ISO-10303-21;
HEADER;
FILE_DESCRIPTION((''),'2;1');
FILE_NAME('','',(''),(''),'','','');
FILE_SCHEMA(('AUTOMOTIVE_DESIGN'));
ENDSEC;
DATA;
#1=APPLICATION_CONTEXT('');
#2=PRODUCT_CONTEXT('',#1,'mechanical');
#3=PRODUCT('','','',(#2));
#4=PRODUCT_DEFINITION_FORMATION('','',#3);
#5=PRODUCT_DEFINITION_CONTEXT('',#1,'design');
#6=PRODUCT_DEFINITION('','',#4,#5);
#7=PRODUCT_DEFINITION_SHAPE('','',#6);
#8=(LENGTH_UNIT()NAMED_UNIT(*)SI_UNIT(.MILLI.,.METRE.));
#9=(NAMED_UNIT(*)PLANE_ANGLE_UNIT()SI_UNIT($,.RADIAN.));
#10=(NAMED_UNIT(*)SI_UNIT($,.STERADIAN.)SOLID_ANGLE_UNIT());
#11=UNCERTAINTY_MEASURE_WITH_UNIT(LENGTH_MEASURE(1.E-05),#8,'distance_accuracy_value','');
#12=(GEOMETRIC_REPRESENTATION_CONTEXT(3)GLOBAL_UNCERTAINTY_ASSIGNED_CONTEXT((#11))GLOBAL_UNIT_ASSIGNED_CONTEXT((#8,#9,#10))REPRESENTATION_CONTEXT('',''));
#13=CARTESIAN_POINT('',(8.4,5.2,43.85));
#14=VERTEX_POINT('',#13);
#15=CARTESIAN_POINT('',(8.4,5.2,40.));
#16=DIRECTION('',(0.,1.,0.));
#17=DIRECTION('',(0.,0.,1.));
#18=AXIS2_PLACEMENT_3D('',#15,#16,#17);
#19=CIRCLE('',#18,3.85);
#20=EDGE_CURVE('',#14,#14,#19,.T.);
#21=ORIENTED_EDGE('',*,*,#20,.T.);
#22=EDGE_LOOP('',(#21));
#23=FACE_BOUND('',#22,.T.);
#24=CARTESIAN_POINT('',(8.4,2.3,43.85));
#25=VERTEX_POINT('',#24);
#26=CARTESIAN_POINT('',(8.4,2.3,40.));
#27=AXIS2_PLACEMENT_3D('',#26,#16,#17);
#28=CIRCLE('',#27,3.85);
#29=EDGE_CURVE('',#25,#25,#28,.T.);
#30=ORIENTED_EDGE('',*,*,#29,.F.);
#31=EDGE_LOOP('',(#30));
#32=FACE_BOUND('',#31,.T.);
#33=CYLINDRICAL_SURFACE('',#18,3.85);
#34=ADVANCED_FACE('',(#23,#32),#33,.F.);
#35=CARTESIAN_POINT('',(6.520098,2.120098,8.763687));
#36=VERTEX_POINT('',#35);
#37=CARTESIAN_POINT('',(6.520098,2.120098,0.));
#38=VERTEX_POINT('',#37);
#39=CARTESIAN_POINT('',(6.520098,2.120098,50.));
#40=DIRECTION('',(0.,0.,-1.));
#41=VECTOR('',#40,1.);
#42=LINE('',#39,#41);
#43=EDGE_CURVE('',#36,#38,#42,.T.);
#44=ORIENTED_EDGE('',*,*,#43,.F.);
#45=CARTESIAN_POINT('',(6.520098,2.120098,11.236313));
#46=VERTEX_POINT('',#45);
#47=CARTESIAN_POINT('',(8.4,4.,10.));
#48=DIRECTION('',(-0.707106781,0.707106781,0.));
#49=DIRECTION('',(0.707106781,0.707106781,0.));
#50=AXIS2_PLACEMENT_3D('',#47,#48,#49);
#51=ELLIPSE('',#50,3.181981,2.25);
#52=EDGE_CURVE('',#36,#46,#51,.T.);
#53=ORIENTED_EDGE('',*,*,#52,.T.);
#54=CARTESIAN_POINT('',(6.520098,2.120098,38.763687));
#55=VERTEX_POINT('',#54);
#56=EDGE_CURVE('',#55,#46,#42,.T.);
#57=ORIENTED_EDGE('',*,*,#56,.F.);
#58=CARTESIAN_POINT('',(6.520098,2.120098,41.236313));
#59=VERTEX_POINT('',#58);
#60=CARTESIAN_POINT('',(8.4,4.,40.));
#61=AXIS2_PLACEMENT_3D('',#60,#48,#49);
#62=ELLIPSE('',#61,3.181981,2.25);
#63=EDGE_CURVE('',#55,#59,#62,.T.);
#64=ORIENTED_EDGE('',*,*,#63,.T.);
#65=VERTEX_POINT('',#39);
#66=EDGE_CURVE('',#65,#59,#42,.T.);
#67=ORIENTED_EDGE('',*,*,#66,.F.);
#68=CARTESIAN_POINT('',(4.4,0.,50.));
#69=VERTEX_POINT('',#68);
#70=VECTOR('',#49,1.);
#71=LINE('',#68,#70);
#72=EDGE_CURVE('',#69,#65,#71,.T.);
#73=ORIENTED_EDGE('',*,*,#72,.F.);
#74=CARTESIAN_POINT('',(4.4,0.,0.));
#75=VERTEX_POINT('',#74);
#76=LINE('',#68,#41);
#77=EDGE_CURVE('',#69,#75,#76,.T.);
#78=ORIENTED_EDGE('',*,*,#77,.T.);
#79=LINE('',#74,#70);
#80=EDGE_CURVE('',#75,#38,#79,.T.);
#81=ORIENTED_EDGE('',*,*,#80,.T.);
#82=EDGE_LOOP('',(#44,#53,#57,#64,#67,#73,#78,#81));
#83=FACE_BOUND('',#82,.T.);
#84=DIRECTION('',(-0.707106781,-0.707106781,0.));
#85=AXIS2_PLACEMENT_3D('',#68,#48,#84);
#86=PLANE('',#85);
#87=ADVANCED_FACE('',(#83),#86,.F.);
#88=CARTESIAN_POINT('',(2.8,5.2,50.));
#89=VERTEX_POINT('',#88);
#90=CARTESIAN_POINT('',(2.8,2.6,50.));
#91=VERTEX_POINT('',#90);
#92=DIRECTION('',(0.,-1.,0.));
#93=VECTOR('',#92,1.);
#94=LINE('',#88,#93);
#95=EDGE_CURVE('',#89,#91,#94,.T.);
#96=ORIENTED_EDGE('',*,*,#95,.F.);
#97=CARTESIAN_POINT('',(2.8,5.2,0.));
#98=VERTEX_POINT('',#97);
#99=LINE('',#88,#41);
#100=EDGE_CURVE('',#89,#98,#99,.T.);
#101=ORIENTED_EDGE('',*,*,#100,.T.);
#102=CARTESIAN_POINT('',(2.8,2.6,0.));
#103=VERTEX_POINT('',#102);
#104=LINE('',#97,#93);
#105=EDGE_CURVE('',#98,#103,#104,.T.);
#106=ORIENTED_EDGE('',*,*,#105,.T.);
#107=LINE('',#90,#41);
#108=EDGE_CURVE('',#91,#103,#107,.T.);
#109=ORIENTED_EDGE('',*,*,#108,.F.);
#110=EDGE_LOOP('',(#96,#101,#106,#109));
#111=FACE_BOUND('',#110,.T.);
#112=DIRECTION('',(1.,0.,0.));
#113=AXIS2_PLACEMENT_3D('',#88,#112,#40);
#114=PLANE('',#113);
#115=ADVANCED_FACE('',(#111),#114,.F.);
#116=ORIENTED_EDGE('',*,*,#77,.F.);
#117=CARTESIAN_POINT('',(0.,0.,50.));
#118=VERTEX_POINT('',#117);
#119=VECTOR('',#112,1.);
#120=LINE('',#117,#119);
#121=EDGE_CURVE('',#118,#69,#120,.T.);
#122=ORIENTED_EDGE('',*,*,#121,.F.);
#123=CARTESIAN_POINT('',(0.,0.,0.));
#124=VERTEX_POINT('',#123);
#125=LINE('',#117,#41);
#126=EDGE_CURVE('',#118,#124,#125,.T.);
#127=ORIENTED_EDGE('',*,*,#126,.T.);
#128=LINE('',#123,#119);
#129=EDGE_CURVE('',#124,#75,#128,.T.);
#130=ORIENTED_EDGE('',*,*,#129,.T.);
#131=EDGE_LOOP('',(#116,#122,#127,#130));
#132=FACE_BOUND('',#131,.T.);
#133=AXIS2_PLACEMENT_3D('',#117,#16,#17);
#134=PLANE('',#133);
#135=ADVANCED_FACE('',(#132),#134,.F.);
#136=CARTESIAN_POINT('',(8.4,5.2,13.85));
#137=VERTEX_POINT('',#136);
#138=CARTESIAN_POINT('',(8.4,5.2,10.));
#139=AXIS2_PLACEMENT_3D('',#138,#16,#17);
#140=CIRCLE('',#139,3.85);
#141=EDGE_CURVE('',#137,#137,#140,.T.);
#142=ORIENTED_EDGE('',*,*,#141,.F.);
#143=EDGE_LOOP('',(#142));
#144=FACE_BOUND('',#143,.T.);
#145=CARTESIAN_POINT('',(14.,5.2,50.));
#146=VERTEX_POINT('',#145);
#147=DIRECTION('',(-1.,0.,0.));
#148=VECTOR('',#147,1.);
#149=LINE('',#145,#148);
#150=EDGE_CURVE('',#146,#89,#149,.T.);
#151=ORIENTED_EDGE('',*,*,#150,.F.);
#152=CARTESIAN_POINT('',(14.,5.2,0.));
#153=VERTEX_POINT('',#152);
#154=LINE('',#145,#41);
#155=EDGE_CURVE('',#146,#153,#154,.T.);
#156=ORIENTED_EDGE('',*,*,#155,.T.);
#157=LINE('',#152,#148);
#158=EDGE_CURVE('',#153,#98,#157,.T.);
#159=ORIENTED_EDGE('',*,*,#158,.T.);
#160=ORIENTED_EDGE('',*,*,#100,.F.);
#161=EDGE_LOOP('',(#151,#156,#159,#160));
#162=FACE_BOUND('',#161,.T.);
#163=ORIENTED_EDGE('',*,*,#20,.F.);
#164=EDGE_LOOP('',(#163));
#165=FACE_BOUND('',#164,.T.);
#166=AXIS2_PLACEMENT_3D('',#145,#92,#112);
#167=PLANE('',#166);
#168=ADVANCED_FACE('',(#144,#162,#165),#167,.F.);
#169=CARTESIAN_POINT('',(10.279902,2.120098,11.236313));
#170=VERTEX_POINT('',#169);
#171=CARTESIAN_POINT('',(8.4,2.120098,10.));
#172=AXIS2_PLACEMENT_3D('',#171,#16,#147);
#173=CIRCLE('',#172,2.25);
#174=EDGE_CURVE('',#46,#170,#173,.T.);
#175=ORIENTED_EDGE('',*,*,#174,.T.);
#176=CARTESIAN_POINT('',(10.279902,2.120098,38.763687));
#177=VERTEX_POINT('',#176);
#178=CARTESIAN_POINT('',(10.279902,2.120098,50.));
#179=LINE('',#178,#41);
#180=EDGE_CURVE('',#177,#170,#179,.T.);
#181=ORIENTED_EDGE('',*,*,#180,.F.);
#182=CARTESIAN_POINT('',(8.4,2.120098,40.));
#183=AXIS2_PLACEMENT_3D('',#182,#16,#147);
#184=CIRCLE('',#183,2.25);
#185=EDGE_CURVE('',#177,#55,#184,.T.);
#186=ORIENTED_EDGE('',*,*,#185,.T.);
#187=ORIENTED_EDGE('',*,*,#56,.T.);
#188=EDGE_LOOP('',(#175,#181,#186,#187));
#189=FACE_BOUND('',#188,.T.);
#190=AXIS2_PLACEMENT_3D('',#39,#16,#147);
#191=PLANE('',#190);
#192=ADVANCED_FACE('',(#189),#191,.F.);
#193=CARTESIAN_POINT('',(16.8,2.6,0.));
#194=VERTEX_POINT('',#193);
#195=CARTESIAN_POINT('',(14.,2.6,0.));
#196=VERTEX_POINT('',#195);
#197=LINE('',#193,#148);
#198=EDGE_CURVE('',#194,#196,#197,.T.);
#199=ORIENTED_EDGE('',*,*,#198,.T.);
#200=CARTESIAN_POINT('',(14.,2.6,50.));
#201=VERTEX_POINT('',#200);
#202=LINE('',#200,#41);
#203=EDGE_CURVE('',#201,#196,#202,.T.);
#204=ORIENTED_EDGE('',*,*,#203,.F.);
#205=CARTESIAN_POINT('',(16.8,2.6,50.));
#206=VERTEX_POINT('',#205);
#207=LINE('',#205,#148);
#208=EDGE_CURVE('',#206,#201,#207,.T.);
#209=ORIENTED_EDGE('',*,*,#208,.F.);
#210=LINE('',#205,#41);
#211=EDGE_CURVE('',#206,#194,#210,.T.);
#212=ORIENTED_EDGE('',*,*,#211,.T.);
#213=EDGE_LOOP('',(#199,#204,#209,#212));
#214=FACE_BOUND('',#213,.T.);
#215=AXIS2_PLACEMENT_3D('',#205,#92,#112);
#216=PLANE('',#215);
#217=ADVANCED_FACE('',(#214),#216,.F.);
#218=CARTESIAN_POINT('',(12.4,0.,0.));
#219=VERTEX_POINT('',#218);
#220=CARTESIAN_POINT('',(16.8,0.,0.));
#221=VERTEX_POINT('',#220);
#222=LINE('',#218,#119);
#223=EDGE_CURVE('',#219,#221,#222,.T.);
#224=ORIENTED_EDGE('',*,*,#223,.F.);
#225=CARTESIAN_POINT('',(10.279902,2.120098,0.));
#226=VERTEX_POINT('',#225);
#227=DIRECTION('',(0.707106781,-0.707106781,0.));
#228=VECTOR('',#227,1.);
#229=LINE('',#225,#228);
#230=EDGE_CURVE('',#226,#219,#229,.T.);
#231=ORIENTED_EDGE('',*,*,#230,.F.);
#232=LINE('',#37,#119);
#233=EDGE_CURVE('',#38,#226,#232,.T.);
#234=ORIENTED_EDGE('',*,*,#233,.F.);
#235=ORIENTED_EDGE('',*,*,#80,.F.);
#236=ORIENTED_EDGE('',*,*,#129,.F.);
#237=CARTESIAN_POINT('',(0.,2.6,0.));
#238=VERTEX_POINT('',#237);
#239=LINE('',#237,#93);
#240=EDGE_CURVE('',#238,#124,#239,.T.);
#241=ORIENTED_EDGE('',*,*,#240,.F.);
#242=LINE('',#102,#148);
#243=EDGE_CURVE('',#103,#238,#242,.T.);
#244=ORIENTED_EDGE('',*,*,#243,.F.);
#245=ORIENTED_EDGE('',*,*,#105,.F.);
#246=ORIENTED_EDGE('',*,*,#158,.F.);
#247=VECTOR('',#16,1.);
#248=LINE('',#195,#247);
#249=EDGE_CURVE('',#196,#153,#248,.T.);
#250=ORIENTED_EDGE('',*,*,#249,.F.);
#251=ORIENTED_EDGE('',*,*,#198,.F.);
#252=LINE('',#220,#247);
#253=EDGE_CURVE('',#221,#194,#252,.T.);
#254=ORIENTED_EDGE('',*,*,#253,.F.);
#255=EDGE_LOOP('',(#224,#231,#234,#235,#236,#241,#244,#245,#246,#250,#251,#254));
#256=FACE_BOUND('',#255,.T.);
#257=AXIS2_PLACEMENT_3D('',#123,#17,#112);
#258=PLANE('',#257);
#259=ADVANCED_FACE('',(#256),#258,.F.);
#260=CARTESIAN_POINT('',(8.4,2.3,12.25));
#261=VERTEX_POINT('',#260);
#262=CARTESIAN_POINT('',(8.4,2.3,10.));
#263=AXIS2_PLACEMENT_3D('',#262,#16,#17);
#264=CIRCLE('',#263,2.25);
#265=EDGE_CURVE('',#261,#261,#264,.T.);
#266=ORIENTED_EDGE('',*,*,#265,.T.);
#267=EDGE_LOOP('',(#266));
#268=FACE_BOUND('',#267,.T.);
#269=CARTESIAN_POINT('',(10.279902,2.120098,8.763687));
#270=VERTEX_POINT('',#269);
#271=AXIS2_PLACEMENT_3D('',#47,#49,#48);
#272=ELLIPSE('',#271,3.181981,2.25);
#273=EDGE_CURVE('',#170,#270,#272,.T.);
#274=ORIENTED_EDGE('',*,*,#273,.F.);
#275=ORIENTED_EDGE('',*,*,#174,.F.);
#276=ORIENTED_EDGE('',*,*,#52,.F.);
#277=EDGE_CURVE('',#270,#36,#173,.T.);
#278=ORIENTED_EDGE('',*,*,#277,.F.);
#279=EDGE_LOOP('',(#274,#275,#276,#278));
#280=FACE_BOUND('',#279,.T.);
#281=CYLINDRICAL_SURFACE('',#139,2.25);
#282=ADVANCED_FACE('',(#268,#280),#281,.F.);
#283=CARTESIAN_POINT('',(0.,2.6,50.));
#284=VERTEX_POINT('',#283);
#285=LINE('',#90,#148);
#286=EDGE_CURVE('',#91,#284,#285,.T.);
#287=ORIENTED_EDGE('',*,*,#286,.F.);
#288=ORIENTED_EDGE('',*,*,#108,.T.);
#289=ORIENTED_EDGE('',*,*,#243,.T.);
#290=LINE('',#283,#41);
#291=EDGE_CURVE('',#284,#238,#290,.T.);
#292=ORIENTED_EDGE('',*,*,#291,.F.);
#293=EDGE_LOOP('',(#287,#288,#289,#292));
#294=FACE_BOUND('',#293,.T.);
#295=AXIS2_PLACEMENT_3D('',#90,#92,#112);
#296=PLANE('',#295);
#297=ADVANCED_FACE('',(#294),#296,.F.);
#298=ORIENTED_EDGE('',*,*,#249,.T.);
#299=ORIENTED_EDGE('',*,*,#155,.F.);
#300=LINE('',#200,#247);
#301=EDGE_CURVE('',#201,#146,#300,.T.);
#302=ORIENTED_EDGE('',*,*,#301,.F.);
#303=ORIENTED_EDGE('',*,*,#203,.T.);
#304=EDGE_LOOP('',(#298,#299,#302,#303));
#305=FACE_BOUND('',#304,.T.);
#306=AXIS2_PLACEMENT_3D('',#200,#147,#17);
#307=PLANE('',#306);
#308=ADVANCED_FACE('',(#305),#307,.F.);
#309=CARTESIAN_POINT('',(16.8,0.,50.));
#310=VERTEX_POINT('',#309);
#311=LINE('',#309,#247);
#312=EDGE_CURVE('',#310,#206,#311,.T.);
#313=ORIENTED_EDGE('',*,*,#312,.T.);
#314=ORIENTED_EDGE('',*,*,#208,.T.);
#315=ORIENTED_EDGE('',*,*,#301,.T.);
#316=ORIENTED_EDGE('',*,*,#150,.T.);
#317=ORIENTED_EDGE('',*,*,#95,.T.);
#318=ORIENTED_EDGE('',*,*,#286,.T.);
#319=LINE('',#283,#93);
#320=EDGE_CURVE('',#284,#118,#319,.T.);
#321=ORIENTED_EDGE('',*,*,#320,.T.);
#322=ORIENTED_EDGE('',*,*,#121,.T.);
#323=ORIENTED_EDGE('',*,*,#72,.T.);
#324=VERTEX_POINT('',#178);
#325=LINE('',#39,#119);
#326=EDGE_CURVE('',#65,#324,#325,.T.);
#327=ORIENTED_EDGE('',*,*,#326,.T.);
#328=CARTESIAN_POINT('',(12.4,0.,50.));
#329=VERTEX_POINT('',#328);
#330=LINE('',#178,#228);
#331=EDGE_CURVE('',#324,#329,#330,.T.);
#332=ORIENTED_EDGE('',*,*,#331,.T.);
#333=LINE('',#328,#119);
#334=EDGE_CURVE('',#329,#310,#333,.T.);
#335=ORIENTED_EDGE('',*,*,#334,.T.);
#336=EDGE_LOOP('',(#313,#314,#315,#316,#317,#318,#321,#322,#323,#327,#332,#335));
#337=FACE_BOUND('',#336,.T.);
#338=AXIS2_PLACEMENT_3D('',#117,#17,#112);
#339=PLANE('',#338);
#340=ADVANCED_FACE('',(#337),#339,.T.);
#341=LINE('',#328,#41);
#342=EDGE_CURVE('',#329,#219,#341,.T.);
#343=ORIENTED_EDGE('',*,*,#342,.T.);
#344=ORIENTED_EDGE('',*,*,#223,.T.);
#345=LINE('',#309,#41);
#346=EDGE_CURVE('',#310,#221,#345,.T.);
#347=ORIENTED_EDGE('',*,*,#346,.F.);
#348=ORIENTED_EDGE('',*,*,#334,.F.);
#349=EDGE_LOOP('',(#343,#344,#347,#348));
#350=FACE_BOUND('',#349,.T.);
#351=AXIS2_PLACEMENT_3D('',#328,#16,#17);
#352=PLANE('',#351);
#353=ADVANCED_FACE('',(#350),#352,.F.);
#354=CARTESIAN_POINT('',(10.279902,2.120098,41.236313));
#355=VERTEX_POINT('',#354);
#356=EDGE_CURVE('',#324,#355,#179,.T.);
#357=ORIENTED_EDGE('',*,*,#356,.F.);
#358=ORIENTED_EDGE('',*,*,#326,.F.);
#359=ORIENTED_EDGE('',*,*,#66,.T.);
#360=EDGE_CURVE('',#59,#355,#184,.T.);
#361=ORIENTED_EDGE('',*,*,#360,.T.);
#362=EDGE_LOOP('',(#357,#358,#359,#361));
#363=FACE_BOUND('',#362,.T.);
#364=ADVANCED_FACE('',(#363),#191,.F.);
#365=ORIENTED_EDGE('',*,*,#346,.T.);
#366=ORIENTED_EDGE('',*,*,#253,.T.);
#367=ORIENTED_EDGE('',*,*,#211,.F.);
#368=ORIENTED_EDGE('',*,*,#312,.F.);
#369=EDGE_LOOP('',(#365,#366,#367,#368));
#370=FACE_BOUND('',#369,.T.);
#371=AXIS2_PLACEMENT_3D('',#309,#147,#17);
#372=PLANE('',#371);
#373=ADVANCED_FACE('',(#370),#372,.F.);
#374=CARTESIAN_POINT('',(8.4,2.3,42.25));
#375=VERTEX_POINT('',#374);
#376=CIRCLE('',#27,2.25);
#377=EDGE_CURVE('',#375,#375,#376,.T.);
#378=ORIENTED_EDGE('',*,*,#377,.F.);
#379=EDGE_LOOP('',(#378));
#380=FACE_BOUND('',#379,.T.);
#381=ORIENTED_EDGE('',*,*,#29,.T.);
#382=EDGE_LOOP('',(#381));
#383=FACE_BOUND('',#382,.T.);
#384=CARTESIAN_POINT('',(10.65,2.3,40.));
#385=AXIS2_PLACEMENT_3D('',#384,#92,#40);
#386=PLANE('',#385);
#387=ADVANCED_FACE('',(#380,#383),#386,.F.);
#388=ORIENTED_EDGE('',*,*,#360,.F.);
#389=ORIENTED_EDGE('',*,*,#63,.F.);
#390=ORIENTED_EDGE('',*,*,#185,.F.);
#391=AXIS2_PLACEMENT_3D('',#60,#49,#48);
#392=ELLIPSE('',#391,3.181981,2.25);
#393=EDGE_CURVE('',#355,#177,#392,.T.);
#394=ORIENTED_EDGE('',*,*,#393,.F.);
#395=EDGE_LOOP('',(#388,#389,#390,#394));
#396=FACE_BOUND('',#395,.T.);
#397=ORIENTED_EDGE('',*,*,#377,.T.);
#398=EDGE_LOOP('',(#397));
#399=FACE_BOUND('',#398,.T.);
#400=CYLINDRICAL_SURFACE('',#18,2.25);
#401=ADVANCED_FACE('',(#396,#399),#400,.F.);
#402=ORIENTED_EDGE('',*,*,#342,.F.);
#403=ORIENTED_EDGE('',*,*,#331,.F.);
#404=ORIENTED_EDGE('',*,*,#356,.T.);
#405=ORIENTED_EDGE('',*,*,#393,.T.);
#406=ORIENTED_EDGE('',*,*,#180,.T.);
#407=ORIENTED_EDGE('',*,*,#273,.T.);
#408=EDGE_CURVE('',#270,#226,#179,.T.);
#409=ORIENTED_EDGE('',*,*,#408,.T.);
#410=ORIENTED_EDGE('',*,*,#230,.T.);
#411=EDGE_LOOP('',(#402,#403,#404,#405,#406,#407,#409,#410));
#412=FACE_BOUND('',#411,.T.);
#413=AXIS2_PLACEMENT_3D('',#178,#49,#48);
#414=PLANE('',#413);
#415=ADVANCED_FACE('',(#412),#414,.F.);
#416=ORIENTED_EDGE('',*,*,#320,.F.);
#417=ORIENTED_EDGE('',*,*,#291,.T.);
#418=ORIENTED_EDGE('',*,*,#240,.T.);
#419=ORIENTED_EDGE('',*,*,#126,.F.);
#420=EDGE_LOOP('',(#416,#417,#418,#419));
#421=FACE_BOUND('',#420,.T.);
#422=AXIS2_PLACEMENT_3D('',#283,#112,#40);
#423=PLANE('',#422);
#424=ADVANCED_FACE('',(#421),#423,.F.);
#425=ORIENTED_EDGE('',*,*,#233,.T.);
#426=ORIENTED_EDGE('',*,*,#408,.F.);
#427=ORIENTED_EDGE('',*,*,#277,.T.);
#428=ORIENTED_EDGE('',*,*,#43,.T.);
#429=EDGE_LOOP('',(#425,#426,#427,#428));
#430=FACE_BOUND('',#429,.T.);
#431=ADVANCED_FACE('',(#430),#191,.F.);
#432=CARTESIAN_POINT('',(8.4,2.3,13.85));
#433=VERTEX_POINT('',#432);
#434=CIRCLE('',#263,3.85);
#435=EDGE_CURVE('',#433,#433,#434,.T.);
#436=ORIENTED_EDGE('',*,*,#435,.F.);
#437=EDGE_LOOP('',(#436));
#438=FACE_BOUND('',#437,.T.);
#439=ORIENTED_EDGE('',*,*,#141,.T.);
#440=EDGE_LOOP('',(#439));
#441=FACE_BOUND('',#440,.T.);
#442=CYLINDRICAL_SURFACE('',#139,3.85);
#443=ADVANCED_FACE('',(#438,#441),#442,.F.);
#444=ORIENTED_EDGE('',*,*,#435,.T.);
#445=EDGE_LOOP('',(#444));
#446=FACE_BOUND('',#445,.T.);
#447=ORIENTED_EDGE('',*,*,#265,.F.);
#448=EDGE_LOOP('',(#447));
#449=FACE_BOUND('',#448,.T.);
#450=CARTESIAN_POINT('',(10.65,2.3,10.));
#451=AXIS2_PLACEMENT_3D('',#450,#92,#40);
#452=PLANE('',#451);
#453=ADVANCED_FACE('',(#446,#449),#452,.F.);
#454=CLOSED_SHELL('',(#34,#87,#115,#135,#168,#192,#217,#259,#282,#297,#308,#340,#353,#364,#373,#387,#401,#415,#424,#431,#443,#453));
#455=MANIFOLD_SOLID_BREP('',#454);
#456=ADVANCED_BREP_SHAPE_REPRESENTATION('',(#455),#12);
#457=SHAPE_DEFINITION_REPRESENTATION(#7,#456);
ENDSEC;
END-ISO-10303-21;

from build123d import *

# Parameters (mm, degrees)
EXTRUDE_1_DEPTH              = 50
HOLE_WIZARD_M4_1_D           = 4.5
HOLE_WIZARD_M4_1_CBORE_D     = 7.7
HOLE_WIZARD_M4_1_CBORE_DEPTH = 2.9


with BuildPart() as part:
    # ｽｹｯﾁ1 → ﾎﾞｽ - 押し出し1 (new body)
    with BuildSketch(Plane.XY):
        Polygon((0, 0), (4.4, 0), (6.520098337, 2.120098337), (10.279901663, 2.120098337), (12.4, 0), (16.8, 0), (16.8, 2.6), (14, 2.6), (14, 5.2), (2.8, 5.2), (2.8, 2.6), (0, 2.6), align=None)
    extrude(amount=EXTRUDE_1_DEPTH)

    # M4 丸平ねじ用座ぐり穴1 (through all)
    with Locations(Plane(origin=(8.4, 5.2, 10), x_dir=(1, 0, 0), z_dir=(0, 1, 0))):
        with Locations((0, 0), (0, -30)):
            CounterBoreHole(HOLE_WIZARD_M4_1_D / 2, HOLE_WIZARD_M4_1_CBORE_D / 2, HOLE_WIZARD_M4_1_CBORE_DEPTH)


solid = part.part
